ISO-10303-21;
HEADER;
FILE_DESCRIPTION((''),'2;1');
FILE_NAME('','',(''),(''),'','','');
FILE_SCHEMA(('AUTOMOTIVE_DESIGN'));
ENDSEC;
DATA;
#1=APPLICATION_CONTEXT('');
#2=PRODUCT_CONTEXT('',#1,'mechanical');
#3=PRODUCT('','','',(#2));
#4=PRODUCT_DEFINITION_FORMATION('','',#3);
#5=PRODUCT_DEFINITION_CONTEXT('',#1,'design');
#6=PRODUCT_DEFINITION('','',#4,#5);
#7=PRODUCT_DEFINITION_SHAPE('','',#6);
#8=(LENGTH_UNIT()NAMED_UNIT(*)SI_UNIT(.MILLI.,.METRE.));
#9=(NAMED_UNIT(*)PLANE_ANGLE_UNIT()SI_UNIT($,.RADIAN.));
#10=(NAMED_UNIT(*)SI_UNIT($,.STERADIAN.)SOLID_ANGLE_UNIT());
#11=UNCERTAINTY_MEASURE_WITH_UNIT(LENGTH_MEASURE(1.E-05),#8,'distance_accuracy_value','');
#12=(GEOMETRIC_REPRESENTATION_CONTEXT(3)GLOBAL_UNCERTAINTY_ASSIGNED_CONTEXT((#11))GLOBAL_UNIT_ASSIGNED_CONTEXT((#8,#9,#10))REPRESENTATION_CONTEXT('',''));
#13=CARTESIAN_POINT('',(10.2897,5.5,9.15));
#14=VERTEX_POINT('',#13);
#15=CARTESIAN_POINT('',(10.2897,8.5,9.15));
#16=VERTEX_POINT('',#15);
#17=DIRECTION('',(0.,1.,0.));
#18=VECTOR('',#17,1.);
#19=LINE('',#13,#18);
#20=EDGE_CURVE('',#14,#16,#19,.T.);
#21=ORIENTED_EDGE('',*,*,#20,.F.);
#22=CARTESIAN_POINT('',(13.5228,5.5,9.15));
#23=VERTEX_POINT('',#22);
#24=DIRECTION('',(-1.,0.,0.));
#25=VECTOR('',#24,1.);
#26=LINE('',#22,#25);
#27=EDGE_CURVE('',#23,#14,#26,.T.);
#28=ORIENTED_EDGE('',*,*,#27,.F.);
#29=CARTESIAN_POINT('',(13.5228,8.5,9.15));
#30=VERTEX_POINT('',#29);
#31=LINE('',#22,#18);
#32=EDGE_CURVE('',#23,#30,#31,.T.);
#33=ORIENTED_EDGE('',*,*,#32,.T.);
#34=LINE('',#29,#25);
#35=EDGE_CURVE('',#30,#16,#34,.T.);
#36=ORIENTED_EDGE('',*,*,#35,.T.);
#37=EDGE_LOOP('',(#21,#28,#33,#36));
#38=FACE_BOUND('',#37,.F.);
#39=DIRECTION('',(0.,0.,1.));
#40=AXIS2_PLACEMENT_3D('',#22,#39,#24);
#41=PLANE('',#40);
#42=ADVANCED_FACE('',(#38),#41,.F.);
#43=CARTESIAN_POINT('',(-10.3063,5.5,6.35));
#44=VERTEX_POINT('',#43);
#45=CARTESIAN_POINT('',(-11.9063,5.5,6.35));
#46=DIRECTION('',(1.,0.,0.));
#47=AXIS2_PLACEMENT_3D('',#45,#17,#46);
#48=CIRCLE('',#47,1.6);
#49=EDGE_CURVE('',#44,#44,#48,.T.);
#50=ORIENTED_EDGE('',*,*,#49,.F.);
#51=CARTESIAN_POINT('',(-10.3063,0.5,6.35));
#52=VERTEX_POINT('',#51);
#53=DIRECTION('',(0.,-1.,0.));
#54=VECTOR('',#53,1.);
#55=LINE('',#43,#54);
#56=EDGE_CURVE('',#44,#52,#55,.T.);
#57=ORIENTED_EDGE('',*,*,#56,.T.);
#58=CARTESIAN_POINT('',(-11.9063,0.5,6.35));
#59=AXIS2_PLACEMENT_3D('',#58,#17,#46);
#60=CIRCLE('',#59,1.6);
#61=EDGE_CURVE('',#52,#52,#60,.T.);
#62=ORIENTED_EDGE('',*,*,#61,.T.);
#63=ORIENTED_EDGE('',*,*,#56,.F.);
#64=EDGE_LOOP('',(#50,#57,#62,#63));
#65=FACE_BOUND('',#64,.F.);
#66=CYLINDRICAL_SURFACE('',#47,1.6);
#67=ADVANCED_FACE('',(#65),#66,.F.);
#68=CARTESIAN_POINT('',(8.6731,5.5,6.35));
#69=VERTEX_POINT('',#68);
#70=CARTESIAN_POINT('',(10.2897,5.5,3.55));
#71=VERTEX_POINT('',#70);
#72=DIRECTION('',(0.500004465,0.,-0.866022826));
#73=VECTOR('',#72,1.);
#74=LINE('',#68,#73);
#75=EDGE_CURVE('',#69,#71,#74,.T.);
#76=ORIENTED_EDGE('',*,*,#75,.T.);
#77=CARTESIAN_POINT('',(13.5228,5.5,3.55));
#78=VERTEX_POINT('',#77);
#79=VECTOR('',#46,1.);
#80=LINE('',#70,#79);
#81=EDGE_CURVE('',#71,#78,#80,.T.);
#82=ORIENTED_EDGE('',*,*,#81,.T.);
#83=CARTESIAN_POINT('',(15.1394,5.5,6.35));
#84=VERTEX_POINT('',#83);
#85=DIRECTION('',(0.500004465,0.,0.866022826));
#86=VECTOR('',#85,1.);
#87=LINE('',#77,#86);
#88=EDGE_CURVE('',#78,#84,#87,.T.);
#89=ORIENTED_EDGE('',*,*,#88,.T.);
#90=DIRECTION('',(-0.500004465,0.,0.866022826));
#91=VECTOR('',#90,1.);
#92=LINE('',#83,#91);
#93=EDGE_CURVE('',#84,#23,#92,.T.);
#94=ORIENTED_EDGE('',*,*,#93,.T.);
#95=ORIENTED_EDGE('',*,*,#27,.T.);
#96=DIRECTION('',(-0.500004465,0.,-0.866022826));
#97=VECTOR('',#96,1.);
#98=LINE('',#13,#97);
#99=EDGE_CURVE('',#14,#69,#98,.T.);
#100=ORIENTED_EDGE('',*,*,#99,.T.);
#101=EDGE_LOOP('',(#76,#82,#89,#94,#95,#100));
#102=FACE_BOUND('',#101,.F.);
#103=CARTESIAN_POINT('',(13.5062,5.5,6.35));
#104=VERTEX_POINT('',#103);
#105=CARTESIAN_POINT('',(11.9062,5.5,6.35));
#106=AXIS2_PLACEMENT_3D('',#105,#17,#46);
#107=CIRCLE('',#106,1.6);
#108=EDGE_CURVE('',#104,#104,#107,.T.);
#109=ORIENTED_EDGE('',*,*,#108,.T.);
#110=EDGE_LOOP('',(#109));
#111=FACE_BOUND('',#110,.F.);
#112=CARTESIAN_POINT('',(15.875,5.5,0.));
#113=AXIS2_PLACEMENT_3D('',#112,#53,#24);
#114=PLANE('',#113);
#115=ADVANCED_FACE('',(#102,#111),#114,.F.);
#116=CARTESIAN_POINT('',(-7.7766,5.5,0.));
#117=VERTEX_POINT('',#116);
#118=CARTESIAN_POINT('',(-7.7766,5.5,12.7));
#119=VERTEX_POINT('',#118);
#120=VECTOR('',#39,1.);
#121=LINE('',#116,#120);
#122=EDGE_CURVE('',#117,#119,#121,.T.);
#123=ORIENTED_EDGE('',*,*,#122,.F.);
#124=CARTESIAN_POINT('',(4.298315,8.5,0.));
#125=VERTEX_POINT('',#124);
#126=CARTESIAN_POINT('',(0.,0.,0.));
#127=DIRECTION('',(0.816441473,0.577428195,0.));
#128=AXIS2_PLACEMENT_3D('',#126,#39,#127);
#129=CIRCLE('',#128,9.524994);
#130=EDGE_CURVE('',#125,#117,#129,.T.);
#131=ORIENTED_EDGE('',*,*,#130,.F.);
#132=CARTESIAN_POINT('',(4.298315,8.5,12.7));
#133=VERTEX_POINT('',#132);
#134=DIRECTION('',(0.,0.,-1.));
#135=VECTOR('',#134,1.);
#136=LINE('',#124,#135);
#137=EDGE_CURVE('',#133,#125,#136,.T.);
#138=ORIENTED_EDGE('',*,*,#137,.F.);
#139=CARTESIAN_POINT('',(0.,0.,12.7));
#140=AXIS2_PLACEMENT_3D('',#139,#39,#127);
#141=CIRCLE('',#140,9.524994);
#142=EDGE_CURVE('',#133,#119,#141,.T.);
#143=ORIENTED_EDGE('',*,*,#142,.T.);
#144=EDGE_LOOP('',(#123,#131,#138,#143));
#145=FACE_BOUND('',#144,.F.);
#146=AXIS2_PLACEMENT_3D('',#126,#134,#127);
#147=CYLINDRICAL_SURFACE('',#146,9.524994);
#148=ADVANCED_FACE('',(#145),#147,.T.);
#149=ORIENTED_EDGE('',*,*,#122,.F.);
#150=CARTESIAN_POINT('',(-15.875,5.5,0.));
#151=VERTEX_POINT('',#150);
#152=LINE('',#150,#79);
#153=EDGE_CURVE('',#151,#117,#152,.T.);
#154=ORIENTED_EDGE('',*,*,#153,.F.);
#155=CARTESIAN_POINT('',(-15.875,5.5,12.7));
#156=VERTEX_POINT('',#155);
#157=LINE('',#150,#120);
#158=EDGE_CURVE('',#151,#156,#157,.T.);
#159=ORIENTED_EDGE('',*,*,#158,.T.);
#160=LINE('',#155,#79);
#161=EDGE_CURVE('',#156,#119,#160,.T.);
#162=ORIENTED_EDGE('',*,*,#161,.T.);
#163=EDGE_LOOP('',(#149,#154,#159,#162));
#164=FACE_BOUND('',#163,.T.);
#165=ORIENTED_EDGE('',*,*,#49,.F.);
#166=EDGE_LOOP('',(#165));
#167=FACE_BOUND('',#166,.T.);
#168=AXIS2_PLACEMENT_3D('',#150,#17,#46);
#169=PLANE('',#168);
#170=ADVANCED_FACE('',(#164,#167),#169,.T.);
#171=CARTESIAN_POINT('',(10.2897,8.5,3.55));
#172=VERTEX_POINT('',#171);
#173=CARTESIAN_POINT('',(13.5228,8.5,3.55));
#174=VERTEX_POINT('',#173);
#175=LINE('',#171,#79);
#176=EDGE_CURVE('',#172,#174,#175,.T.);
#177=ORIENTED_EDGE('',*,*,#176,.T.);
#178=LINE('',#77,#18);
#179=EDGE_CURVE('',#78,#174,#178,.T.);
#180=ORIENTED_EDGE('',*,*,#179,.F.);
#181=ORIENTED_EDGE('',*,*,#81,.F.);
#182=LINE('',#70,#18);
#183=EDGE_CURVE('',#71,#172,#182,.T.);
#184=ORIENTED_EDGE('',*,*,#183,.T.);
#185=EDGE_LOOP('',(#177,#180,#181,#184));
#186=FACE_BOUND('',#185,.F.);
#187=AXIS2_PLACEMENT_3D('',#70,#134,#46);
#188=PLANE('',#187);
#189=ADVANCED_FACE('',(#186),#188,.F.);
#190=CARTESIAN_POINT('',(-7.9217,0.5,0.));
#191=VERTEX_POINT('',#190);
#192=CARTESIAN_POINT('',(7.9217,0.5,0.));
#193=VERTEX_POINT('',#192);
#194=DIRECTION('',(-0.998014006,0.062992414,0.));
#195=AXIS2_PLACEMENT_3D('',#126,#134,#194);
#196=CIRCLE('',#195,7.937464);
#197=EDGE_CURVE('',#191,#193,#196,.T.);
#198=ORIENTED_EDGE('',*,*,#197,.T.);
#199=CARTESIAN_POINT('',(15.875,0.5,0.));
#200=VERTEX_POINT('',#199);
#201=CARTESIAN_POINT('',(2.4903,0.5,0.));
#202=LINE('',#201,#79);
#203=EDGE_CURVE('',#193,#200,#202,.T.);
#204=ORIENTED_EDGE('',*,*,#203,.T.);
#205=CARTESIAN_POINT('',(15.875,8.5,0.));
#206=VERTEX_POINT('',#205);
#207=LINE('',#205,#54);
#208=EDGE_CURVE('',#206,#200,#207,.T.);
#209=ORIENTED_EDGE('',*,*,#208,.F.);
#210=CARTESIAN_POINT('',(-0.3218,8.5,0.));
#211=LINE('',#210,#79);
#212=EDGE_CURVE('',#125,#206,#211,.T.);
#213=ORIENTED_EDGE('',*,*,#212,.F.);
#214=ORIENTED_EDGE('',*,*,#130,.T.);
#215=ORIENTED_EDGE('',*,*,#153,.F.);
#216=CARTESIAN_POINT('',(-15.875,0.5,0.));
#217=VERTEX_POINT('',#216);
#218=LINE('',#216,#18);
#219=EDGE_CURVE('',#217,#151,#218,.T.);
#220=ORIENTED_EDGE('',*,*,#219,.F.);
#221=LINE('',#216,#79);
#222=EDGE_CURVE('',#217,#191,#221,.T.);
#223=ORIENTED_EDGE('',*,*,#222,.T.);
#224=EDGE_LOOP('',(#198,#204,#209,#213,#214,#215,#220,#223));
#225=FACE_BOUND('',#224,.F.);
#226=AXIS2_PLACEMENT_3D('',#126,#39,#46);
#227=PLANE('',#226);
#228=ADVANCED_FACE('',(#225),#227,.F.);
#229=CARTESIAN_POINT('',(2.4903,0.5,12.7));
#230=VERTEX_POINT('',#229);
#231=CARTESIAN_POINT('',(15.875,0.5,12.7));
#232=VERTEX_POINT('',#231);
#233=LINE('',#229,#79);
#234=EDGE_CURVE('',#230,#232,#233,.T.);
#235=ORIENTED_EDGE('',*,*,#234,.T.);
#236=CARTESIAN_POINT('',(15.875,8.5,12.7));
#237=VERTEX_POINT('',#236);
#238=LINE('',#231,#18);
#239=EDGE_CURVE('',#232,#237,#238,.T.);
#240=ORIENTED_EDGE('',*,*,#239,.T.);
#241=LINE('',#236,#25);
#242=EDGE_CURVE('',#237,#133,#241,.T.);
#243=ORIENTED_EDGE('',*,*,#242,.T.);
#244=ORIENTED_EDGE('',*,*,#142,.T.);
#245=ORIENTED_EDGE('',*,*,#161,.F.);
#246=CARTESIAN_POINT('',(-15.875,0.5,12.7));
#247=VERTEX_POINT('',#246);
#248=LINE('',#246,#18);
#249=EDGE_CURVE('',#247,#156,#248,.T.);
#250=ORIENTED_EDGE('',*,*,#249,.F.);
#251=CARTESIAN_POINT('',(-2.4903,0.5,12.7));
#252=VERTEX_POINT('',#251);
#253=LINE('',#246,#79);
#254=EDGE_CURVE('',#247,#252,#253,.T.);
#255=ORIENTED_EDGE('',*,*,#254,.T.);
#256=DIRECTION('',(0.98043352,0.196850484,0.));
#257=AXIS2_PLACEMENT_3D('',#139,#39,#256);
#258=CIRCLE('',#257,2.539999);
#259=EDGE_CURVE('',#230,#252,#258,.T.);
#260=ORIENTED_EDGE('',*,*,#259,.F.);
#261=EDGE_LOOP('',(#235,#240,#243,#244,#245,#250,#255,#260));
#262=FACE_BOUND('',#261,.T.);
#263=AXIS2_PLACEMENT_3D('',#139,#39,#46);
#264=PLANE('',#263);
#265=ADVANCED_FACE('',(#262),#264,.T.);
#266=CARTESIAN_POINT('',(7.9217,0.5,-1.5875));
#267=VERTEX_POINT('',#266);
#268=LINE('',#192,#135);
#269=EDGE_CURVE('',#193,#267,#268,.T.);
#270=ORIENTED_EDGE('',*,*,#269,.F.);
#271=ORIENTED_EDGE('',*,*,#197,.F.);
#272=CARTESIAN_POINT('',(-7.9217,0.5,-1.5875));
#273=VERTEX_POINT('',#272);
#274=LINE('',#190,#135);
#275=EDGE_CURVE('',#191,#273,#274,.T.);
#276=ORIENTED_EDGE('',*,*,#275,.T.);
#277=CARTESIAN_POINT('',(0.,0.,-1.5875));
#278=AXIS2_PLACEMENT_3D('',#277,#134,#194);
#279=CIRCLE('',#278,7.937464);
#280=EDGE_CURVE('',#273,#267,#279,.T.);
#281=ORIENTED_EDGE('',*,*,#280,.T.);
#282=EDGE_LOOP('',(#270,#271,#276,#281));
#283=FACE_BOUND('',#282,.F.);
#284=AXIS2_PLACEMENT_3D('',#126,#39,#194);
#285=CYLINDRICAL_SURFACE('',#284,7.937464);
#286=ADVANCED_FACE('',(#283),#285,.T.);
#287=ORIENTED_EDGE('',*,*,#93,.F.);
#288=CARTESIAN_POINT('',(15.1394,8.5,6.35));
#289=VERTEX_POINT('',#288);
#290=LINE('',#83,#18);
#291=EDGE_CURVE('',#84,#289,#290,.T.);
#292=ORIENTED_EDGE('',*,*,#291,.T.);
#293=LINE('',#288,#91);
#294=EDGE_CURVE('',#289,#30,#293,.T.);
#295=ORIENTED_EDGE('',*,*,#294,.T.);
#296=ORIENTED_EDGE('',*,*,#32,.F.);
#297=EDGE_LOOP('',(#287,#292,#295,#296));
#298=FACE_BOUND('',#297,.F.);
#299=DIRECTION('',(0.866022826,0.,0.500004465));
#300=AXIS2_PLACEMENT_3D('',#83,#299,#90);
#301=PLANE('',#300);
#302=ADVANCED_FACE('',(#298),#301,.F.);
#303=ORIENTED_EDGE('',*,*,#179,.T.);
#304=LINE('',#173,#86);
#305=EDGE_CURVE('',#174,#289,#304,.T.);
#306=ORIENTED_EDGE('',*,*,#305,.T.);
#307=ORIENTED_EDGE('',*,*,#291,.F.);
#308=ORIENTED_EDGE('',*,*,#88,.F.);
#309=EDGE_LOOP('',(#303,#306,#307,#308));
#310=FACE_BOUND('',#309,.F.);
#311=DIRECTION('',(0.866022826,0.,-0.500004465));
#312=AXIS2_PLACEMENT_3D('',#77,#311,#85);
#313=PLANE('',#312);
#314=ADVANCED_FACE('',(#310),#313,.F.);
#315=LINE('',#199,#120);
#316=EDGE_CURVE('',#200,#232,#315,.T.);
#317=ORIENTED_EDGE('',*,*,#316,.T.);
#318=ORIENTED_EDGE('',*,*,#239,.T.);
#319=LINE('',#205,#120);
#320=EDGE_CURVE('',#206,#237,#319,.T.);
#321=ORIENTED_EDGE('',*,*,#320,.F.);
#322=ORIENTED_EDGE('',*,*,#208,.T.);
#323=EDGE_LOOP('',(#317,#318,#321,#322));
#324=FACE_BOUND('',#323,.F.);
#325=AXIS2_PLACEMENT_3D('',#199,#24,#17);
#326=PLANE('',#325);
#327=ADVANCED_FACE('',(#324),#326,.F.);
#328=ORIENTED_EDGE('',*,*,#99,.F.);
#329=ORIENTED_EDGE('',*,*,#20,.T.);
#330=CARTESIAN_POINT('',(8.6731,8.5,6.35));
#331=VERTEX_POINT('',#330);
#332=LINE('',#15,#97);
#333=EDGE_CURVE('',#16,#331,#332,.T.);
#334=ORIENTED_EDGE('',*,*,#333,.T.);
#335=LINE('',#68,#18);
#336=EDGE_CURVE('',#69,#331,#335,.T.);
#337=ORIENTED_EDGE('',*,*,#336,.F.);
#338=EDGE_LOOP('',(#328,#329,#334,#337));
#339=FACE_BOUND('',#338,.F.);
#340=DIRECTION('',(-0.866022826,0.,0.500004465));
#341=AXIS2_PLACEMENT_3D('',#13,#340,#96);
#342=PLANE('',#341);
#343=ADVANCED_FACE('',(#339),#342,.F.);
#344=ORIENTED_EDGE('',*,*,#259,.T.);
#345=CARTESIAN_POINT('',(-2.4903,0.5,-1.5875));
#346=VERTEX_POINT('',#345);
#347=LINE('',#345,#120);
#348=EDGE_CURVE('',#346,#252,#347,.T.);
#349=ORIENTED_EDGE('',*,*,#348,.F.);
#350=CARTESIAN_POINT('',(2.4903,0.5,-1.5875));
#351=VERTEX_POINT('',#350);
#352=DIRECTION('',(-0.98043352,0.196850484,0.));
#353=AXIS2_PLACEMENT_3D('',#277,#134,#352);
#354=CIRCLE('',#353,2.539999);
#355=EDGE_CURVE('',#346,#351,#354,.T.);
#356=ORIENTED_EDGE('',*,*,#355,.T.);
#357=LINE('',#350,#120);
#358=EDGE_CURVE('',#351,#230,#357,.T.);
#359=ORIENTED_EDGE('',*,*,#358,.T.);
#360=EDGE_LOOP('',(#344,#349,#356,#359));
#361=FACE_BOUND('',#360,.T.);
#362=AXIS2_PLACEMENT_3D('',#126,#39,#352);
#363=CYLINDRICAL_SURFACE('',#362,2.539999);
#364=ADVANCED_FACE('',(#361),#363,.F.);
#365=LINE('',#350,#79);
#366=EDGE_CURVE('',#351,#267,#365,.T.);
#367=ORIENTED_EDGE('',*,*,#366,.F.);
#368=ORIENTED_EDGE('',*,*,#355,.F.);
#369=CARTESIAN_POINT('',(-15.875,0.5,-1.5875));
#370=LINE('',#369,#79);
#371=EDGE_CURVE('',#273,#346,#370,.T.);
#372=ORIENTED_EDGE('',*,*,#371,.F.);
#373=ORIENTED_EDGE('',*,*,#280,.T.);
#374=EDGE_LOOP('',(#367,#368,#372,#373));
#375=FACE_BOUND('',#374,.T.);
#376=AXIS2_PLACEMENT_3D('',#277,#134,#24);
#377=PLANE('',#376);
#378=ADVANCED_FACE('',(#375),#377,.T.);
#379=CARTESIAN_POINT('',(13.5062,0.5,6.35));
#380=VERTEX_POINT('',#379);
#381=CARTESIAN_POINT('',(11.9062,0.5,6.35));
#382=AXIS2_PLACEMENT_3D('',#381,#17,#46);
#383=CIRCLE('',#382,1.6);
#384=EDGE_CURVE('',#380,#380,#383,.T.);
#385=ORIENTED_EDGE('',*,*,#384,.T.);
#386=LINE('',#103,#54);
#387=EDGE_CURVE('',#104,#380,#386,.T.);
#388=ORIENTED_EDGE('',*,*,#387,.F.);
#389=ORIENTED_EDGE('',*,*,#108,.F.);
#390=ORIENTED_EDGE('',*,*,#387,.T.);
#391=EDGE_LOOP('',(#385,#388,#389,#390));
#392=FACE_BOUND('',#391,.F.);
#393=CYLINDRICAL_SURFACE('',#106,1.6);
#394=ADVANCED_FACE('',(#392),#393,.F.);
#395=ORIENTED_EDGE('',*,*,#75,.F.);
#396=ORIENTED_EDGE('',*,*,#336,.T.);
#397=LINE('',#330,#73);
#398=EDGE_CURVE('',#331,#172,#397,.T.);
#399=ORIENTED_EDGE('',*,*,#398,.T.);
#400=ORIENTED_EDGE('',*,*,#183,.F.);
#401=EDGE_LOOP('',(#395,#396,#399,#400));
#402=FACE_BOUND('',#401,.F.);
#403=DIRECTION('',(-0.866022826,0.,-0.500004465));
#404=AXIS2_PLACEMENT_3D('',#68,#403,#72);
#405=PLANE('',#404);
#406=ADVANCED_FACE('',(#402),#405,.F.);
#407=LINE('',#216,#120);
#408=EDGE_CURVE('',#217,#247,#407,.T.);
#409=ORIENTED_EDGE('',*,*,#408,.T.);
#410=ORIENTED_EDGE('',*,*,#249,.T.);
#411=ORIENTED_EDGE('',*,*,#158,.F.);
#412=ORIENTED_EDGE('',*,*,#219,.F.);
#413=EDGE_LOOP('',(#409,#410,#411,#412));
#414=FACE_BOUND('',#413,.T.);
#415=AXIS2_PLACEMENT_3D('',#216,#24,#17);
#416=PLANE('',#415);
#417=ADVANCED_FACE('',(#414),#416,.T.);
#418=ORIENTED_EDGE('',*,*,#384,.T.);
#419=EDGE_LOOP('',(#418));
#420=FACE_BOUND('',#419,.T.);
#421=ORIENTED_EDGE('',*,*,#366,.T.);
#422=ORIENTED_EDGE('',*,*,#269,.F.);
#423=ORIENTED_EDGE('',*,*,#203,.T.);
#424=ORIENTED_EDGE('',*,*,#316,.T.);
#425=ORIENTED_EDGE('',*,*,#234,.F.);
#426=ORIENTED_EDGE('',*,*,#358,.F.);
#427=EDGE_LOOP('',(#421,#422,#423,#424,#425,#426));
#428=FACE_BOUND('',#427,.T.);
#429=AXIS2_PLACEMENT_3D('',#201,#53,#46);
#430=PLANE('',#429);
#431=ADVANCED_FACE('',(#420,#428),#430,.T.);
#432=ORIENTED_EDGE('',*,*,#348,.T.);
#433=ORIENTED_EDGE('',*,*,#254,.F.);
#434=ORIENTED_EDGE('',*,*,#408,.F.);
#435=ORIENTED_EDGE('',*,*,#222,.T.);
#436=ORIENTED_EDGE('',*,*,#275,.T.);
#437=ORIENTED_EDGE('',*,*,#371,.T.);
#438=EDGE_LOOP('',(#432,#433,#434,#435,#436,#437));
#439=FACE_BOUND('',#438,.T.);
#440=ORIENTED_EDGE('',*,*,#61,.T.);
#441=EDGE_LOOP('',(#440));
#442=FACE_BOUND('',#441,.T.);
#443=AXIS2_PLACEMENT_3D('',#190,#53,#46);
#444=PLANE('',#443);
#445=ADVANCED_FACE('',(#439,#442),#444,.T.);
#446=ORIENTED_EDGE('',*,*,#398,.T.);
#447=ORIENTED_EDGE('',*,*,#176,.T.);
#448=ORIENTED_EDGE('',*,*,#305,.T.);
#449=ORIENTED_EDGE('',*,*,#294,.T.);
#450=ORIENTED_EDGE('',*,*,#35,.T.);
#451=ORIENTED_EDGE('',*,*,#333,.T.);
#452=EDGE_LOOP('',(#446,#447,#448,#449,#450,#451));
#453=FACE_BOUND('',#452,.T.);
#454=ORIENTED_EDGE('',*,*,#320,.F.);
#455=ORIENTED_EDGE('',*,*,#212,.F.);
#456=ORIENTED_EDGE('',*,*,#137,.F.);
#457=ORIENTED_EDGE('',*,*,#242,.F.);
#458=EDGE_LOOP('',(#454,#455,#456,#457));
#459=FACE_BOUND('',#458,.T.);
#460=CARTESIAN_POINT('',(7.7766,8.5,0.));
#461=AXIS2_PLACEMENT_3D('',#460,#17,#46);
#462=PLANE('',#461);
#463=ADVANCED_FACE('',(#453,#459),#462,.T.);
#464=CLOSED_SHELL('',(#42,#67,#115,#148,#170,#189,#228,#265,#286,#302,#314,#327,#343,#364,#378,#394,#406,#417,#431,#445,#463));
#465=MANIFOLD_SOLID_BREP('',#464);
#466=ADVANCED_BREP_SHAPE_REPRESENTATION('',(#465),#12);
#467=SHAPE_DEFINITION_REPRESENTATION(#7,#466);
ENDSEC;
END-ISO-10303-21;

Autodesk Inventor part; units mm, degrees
ref_plane "YZ Plane" through (0, 0, 0) normal (1, 0, 0) x (0, 1, 0)
ref_plane "XZ Plane" through (0, 0, 0) normal (0, 1, 0) x (-1, 0, 0)
ref_plane "XY Plane" through (0, 0, 0) normal (0, 0, 1) x (1, 0, 0)
sketch "Sketch1" plane through (0, 0, 0) normal (0, 0, 1) x (1, 0, 0)
  circle A0 centre (0, 0) radius 9.525 construction
  circle A1 centre (0, 0) radius 2.54 construction
  line L0 (-15.875, 0.5) -> (-2.4903, 0.5)
  line L1 (2.4903, 0.5) -> (15.875, 0.5)
  line L2 (15.875, 0.5) -> (15.875, 5.5)
  line L3 (15.875, 5.5) -> (7.7766, 5.5)
  line L4 (-15.875, 0.5) -> (-15.875, 5.5)
  line L5 (-15.875, 5.5) -> (-7.7766, 5.5)
  arc A2 (2.4903, 0.5) -> (-2.4903, 0.5) centre (0, 0) ccw
  arc A3 (7.7766, 5.5) -> (-7.7766, 5.5) centre (0, 0) ccw
  dimension "d0" = 5.08
  dimension "d2" = 19.05
  dimension "d3" = 0.5
  dimension "d4" = 5
  dimension "d5" = 15.875
extrude "Extrusion1" add sketch "Sketch1" along normal blind 12.7
sketch "Sketch3" plane through (7.7766, 5.5, 0) normal (0, 1, 0) x (1, 0, 0)
  line L0 (8.0984, 0) -> (8.0984, -12.7) projected
  line L1 (-15.5532, 0) -> (0, 0) projected
  line L2 (-15.5532, 0) -> (-23.6516, 0) projected
  line L3 (-23.6516, 0) -> (-23.6516, -12.7) projected
  line L4 (-15.5532, -12.7) -> (-23.6516, -12.7) projected
  line L5 (-15.5532, 0) -> (-15.5532, -12.7) projected
  circle A0 centre (-19.6829, -6.35) radius 1.6
  circle A1 centre (4.1296, -6.35) radius 1.6
  point P0 (-7.7766, 0)
  point P1 (-23.6516, -6.35)
  point P2 (8.0984, -6.35)
  point P3 (-7.7766, 0)
  dimension "d13" = 3.2
  dimension "d15" = 11.9062
  dimension "d16" = 11.9062
extrude "Extrusion3" cut sketch "Sketch3" against normal through all contours A0 | A1
sketch "Sketch2" plane through (0, 0, 0) normal (0, 0, -1) x (-1, 0, 0)
  line L0 (15.875, 0.5) -> (2.4903, 0.5) projected
  line L1 (-2.4903, 0.5) -> (-15.875, 0.5) projected
  arc A0 (2.4903, 0.5) -> (-2.4903, 0.5) centre (0, 0) ccw projected
  arc A1 (7.9217, 0.5) -> (-7.9217, 0.5) centre (0, 0) ccw
  dimension "d8" = 7.9375
extrude "Extrusion2" add sketch "Sketch2" along normal blind 1.5875
sketch "Sketch6" plane through (7.7766, 5.5, 0) normal (0, 1, 0) x (1, 0, 0)
  circle A0 centre (4.1296, -6.35) radius 1.6 projected
  line L0 (8.0984, 0) -> (0, 0) projected
  line L1 (8.0984, -12.7) -> (0, -12.7) projected
  line L2 (8.0984, 0) -> (8.0984, -12.7) projected
  line L3 (2.5131, -3.55) -> (5.7462, -3.55)
  line L4 (5.7462, -3.55) -> (7.3628, -6.35)
  line L5 (7.3628, -6.35) -> (5.7462, -9.15)
  line L6 (5.7462, -9.15) -> (2.5131, -9.15)
  line L7 (2.5131, -9.15) -> (0.8965, -6.35)
  line L8 (0.8965, -6.35) -> (2.5131, -3.55)
  line L9 (0, 0) -> (-8.0984, 0)
  line L10 (-8.0984, 0) -> (-8.0984, -12.7)
  line L11 (-8.0984, -12.7) -> (0, -12.7)
  line L12 (0, -12.7) -> (0, 0)
  point P0 (-7.7766, 0)
  dimension "d30" = 5.6
extrude "Extrusion5" add sketch "Sketch6" along normal blind 3 contours L2 L1 L12 L0 | L12 L11 L10 L9
equation "\"d16\" = d15"
properties part number "THREAD CLAMP"
